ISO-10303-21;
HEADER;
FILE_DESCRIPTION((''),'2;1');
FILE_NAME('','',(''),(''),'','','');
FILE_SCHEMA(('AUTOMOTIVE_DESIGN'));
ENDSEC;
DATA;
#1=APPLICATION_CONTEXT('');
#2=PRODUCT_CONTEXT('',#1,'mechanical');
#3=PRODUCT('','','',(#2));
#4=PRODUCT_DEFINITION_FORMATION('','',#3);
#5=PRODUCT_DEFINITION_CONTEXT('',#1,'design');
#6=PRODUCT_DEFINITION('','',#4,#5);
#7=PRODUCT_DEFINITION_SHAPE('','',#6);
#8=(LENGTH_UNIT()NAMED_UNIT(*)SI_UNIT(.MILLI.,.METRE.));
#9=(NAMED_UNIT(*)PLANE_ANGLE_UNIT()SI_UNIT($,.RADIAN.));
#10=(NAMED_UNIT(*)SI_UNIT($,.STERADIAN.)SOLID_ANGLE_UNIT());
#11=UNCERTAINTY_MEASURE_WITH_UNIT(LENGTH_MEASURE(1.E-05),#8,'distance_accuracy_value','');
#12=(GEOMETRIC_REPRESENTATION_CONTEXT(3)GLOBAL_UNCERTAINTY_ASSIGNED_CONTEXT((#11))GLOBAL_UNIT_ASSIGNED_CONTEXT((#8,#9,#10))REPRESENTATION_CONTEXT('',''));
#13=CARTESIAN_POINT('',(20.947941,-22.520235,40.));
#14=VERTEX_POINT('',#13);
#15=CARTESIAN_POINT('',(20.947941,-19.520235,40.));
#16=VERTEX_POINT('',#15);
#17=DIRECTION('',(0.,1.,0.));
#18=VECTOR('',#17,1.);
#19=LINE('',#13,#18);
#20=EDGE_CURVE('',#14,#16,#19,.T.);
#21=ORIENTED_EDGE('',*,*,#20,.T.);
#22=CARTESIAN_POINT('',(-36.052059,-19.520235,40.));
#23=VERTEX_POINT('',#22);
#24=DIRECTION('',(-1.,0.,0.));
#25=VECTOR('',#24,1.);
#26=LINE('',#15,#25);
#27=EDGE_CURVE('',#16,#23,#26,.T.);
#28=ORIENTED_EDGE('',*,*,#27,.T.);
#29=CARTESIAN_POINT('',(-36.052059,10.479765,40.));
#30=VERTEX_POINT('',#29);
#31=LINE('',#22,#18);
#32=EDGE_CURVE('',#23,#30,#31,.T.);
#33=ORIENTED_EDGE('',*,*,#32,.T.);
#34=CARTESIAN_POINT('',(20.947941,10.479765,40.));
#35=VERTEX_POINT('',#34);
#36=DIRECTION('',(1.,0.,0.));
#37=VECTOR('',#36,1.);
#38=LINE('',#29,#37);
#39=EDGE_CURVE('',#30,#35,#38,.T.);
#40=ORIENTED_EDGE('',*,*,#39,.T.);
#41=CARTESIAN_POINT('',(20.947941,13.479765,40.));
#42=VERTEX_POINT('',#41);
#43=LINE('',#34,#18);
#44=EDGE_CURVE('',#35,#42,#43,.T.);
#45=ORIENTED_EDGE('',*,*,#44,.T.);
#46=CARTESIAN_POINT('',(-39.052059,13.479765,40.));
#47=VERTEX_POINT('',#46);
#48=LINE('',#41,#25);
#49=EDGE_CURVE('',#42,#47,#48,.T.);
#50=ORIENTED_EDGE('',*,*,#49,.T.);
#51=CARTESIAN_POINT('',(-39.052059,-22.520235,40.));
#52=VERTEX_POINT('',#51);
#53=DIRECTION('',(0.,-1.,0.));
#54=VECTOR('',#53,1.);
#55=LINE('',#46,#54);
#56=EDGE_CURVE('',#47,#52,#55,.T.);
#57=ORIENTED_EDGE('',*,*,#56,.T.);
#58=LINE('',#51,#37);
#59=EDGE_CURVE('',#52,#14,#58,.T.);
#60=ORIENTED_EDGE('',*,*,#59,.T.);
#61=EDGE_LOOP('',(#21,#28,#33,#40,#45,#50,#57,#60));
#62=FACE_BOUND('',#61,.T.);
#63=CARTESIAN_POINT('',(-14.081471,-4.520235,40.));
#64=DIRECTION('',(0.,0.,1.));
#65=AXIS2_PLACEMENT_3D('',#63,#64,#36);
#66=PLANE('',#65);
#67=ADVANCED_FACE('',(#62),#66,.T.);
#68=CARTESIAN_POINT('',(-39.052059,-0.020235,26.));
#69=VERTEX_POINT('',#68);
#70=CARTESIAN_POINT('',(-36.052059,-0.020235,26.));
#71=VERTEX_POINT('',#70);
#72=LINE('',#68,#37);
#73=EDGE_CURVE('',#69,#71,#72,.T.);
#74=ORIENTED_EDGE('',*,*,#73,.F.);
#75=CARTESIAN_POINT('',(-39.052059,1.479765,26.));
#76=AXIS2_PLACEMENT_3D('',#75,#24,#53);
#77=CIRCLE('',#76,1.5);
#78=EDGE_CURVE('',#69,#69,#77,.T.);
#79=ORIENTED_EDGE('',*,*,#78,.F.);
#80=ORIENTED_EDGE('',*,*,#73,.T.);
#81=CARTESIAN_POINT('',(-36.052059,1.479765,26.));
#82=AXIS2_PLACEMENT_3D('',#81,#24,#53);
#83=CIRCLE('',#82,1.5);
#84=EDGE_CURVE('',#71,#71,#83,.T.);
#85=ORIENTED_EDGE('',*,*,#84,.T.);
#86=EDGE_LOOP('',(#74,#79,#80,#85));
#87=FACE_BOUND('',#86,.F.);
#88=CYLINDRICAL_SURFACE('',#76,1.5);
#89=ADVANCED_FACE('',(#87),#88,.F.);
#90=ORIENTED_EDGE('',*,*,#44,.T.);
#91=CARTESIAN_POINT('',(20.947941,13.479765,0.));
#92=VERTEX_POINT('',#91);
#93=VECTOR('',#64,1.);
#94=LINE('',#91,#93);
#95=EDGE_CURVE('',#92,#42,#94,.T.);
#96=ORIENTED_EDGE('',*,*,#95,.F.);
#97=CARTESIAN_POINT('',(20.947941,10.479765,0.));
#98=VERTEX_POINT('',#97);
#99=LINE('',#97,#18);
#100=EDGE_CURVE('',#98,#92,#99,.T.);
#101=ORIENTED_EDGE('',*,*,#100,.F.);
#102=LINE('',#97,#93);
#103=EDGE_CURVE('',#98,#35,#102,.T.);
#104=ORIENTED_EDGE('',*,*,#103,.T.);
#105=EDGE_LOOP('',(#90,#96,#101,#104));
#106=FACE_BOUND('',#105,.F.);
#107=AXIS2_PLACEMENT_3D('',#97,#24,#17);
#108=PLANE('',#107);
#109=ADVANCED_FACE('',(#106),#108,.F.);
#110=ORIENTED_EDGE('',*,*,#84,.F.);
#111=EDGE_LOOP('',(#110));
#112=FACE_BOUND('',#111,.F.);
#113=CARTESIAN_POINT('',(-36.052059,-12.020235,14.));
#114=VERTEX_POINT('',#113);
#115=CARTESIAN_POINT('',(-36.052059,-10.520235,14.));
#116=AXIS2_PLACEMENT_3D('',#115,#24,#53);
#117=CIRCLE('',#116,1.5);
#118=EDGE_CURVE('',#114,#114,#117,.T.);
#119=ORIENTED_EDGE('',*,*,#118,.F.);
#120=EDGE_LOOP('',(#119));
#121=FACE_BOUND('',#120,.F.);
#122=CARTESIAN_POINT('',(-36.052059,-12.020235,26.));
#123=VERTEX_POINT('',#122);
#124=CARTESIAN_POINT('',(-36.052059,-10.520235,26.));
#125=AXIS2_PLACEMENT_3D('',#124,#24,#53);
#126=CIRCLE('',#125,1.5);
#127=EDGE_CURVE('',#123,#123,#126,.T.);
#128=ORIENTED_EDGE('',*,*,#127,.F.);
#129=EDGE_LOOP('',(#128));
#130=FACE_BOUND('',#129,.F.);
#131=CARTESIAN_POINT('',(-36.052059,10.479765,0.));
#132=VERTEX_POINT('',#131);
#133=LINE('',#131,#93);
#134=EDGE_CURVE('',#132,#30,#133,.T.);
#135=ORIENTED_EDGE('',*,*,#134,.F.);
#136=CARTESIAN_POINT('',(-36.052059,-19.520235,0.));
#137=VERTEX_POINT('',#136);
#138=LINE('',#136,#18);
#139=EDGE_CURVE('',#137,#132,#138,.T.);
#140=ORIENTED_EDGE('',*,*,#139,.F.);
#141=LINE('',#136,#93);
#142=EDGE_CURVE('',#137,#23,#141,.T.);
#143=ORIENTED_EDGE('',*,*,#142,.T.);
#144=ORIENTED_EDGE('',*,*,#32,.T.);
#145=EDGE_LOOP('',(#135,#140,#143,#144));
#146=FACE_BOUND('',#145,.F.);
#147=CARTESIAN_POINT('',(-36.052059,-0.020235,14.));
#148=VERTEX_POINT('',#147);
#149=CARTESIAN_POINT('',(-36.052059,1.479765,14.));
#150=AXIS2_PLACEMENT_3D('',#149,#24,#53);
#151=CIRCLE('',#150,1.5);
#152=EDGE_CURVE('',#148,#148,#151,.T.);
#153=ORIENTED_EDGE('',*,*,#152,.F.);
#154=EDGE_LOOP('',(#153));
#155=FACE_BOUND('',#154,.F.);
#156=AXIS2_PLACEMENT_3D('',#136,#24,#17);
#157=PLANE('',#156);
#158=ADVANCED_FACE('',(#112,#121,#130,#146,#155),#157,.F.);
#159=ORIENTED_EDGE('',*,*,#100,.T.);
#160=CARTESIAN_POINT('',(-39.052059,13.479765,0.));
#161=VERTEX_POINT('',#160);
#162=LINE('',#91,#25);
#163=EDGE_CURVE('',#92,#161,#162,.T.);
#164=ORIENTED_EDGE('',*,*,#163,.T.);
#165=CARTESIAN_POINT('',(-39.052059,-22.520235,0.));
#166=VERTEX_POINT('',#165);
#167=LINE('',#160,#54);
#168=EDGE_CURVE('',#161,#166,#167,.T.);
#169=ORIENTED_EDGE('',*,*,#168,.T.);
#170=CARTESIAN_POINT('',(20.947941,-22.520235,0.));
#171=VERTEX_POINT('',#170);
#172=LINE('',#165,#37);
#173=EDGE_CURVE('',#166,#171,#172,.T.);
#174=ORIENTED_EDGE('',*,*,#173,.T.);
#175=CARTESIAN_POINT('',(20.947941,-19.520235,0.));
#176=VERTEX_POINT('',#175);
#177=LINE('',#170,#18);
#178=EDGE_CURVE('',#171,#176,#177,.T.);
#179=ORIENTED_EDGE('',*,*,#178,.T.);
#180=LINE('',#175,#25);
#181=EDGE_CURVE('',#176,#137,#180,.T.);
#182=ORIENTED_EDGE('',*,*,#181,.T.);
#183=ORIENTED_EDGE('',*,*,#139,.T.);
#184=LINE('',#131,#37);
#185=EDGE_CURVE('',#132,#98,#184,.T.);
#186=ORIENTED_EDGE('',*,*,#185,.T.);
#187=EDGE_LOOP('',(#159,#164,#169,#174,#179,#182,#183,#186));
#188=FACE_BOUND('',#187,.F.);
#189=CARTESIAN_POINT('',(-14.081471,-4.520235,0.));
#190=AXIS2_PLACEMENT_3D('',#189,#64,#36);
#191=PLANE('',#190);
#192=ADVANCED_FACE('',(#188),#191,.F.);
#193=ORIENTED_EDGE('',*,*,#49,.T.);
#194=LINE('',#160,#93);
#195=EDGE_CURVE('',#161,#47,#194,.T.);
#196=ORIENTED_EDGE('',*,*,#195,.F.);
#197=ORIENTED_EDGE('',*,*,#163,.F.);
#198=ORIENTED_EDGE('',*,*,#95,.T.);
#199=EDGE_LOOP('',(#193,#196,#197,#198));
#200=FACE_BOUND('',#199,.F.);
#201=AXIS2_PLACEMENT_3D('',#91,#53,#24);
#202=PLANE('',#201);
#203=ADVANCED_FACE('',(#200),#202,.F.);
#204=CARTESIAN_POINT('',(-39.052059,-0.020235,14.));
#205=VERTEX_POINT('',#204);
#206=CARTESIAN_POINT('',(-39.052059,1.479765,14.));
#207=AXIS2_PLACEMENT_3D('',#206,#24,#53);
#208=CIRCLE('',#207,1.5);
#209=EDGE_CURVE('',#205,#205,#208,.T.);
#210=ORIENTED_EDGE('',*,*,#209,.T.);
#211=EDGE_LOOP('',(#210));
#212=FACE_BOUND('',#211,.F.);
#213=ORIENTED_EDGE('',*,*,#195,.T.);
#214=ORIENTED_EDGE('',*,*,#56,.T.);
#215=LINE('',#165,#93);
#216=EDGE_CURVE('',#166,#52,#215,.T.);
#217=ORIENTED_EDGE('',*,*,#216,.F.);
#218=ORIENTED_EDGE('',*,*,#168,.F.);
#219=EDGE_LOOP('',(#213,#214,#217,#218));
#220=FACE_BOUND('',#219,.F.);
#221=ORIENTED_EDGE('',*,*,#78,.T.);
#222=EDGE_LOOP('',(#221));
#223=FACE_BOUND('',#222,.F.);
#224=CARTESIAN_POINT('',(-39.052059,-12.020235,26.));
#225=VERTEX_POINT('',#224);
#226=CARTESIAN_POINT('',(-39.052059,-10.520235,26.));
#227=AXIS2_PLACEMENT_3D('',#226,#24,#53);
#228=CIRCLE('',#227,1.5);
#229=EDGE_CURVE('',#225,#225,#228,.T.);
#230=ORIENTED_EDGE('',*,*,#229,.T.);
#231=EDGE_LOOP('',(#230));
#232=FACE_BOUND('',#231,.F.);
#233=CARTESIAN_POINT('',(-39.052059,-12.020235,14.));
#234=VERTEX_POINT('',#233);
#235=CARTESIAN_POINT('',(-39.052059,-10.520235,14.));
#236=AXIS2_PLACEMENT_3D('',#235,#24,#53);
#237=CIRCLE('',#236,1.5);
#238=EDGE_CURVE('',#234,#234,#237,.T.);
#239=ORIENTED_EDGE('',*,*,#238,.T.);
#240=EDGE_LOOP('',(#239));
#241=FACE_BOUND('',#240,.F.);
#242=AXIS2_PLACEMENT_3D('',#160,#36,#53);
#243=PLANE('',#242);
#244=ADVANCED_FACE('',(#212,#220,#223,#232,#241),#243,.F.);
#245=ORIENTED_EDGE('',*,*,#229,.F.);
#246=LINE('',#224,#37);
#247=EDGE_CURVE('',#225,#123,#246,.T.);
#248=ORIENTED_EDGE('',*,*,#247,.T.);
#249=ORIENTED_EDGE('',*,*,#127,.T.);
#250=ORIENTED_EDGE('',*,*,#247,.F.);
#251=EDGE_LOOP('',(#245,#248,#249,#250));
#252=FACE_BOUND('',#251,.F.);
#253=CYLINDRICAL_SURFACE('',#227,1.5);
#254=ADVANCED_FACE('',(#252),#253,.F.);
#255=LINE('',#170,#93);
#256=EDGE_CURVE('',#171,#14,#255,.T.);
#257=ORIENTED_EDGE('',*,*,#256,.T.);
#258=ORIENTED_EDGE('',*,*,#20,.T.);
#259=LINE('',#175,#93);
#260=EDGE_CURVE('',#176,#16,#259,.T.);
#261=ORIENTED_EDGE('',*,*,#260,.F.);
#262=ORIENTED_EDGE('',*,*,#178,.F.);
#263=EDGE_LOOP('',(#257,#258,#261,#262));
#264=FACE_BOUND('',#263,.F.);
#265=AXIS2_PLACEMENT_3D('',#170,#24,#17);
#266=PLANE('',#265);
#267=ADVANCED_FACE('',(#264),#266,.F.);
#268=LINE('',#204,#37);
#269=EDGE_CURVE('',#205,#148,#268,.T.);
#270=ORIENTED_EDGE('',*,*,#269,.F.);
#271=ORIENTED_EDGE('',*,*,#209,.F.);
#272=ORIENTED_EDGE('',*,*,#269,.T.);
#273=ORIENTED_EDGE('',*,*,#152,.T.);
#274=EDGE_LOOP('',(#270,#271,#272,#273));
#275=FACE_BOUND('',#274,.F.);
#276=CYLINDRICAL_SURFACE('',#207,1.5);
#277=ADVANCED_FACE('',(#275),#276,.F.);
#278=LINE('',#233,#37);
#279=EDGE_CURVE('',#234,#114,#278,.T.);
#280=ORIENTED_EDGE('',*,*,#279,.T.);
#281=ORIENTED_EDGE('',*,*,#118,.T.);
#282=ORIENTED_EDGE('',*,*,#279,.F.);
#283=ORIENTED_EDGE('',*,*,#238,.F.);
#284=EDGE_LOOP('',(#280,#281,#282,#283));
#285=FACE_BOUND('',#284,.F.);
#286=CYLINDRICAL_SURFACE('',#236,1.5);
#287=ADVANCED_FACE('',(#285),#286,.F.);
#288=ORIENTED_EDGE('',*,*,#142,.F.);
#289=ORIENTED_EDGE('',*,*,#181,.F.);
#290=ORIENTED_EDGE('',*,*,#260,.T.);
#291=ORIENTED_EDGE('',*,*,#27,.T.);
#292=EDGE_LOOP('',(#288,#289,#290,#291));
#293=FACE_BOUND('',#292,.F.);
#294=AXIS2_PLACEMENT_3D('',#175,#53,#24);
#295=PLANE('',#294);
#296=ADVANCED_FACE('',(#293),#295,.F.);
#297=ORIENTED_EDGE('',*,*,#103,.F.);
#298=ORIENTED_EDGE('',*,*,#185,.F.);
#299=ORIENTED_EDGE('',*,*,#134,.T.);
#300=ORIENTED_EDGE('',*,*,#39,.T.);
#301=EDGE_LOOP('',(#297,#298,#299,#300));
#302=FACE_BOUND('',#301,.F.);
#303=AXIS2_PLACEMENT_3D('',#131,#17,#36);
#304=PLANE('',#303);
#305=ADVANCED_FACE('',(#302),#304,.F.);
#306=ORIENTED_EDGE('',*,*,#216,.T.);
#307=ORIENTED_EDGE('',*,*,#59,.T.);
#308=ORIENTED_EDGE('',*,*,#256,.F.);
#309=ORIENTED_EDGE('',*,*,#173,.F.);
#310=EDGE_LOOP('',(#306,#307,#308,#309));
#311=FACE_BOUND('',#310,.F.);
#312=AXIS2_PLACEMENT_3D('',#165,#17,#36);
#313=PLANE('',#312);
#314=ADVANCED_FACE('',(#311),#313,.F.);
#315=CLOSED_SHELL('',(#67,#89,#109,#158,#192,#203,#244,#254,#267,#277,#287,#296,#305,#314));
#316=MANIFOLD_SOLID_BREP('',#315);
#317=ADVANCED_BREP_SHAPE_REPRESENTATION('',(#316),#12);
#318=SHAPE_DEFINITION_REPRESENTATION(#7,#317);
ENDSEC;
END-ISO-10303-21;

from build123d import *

# Parameters (mm, degrees)
F1_DEPTH = 40
F2_R     = 1.5
F3_DEPTH = 4


with BuildPart() as f1:
    # F0 (on Top) → F1 (new body)
    with BuildSketch(Plane.XY):
        Polygon((-39.052059, 13.479765), (-39.052059, -22.520235), (20.947941, -22.520235), (20.947941, -19.520235), (-36.052059, -19.520235), (-36.052059, 10.479765), (20.947941, 10.479765), (20.947941, 13.479765), align=None)
    extrude(amount=F1_DEPTH)

    # F2 (on face) → F3 (cut)
    with BuildSketch(Plane(origin=(-39.052059, 0, 0), x_dir=(0, -1, 0), z_dir=(-1, 0, 0))):
        with Locations((-1.479765, 26)):
            Circle(F2_R)
        with Locations((10.520235, 26)):
            Circle(F2_R)
        with Locations((10.520235, 14)):
            Circle(F2_R)
        with Locations((-1.479765, 14)):
            Circle(F2_R)
    extrude(amount=-F3_DEPTH, mode=Mode.SUBTRACT)


solid = f1.part
